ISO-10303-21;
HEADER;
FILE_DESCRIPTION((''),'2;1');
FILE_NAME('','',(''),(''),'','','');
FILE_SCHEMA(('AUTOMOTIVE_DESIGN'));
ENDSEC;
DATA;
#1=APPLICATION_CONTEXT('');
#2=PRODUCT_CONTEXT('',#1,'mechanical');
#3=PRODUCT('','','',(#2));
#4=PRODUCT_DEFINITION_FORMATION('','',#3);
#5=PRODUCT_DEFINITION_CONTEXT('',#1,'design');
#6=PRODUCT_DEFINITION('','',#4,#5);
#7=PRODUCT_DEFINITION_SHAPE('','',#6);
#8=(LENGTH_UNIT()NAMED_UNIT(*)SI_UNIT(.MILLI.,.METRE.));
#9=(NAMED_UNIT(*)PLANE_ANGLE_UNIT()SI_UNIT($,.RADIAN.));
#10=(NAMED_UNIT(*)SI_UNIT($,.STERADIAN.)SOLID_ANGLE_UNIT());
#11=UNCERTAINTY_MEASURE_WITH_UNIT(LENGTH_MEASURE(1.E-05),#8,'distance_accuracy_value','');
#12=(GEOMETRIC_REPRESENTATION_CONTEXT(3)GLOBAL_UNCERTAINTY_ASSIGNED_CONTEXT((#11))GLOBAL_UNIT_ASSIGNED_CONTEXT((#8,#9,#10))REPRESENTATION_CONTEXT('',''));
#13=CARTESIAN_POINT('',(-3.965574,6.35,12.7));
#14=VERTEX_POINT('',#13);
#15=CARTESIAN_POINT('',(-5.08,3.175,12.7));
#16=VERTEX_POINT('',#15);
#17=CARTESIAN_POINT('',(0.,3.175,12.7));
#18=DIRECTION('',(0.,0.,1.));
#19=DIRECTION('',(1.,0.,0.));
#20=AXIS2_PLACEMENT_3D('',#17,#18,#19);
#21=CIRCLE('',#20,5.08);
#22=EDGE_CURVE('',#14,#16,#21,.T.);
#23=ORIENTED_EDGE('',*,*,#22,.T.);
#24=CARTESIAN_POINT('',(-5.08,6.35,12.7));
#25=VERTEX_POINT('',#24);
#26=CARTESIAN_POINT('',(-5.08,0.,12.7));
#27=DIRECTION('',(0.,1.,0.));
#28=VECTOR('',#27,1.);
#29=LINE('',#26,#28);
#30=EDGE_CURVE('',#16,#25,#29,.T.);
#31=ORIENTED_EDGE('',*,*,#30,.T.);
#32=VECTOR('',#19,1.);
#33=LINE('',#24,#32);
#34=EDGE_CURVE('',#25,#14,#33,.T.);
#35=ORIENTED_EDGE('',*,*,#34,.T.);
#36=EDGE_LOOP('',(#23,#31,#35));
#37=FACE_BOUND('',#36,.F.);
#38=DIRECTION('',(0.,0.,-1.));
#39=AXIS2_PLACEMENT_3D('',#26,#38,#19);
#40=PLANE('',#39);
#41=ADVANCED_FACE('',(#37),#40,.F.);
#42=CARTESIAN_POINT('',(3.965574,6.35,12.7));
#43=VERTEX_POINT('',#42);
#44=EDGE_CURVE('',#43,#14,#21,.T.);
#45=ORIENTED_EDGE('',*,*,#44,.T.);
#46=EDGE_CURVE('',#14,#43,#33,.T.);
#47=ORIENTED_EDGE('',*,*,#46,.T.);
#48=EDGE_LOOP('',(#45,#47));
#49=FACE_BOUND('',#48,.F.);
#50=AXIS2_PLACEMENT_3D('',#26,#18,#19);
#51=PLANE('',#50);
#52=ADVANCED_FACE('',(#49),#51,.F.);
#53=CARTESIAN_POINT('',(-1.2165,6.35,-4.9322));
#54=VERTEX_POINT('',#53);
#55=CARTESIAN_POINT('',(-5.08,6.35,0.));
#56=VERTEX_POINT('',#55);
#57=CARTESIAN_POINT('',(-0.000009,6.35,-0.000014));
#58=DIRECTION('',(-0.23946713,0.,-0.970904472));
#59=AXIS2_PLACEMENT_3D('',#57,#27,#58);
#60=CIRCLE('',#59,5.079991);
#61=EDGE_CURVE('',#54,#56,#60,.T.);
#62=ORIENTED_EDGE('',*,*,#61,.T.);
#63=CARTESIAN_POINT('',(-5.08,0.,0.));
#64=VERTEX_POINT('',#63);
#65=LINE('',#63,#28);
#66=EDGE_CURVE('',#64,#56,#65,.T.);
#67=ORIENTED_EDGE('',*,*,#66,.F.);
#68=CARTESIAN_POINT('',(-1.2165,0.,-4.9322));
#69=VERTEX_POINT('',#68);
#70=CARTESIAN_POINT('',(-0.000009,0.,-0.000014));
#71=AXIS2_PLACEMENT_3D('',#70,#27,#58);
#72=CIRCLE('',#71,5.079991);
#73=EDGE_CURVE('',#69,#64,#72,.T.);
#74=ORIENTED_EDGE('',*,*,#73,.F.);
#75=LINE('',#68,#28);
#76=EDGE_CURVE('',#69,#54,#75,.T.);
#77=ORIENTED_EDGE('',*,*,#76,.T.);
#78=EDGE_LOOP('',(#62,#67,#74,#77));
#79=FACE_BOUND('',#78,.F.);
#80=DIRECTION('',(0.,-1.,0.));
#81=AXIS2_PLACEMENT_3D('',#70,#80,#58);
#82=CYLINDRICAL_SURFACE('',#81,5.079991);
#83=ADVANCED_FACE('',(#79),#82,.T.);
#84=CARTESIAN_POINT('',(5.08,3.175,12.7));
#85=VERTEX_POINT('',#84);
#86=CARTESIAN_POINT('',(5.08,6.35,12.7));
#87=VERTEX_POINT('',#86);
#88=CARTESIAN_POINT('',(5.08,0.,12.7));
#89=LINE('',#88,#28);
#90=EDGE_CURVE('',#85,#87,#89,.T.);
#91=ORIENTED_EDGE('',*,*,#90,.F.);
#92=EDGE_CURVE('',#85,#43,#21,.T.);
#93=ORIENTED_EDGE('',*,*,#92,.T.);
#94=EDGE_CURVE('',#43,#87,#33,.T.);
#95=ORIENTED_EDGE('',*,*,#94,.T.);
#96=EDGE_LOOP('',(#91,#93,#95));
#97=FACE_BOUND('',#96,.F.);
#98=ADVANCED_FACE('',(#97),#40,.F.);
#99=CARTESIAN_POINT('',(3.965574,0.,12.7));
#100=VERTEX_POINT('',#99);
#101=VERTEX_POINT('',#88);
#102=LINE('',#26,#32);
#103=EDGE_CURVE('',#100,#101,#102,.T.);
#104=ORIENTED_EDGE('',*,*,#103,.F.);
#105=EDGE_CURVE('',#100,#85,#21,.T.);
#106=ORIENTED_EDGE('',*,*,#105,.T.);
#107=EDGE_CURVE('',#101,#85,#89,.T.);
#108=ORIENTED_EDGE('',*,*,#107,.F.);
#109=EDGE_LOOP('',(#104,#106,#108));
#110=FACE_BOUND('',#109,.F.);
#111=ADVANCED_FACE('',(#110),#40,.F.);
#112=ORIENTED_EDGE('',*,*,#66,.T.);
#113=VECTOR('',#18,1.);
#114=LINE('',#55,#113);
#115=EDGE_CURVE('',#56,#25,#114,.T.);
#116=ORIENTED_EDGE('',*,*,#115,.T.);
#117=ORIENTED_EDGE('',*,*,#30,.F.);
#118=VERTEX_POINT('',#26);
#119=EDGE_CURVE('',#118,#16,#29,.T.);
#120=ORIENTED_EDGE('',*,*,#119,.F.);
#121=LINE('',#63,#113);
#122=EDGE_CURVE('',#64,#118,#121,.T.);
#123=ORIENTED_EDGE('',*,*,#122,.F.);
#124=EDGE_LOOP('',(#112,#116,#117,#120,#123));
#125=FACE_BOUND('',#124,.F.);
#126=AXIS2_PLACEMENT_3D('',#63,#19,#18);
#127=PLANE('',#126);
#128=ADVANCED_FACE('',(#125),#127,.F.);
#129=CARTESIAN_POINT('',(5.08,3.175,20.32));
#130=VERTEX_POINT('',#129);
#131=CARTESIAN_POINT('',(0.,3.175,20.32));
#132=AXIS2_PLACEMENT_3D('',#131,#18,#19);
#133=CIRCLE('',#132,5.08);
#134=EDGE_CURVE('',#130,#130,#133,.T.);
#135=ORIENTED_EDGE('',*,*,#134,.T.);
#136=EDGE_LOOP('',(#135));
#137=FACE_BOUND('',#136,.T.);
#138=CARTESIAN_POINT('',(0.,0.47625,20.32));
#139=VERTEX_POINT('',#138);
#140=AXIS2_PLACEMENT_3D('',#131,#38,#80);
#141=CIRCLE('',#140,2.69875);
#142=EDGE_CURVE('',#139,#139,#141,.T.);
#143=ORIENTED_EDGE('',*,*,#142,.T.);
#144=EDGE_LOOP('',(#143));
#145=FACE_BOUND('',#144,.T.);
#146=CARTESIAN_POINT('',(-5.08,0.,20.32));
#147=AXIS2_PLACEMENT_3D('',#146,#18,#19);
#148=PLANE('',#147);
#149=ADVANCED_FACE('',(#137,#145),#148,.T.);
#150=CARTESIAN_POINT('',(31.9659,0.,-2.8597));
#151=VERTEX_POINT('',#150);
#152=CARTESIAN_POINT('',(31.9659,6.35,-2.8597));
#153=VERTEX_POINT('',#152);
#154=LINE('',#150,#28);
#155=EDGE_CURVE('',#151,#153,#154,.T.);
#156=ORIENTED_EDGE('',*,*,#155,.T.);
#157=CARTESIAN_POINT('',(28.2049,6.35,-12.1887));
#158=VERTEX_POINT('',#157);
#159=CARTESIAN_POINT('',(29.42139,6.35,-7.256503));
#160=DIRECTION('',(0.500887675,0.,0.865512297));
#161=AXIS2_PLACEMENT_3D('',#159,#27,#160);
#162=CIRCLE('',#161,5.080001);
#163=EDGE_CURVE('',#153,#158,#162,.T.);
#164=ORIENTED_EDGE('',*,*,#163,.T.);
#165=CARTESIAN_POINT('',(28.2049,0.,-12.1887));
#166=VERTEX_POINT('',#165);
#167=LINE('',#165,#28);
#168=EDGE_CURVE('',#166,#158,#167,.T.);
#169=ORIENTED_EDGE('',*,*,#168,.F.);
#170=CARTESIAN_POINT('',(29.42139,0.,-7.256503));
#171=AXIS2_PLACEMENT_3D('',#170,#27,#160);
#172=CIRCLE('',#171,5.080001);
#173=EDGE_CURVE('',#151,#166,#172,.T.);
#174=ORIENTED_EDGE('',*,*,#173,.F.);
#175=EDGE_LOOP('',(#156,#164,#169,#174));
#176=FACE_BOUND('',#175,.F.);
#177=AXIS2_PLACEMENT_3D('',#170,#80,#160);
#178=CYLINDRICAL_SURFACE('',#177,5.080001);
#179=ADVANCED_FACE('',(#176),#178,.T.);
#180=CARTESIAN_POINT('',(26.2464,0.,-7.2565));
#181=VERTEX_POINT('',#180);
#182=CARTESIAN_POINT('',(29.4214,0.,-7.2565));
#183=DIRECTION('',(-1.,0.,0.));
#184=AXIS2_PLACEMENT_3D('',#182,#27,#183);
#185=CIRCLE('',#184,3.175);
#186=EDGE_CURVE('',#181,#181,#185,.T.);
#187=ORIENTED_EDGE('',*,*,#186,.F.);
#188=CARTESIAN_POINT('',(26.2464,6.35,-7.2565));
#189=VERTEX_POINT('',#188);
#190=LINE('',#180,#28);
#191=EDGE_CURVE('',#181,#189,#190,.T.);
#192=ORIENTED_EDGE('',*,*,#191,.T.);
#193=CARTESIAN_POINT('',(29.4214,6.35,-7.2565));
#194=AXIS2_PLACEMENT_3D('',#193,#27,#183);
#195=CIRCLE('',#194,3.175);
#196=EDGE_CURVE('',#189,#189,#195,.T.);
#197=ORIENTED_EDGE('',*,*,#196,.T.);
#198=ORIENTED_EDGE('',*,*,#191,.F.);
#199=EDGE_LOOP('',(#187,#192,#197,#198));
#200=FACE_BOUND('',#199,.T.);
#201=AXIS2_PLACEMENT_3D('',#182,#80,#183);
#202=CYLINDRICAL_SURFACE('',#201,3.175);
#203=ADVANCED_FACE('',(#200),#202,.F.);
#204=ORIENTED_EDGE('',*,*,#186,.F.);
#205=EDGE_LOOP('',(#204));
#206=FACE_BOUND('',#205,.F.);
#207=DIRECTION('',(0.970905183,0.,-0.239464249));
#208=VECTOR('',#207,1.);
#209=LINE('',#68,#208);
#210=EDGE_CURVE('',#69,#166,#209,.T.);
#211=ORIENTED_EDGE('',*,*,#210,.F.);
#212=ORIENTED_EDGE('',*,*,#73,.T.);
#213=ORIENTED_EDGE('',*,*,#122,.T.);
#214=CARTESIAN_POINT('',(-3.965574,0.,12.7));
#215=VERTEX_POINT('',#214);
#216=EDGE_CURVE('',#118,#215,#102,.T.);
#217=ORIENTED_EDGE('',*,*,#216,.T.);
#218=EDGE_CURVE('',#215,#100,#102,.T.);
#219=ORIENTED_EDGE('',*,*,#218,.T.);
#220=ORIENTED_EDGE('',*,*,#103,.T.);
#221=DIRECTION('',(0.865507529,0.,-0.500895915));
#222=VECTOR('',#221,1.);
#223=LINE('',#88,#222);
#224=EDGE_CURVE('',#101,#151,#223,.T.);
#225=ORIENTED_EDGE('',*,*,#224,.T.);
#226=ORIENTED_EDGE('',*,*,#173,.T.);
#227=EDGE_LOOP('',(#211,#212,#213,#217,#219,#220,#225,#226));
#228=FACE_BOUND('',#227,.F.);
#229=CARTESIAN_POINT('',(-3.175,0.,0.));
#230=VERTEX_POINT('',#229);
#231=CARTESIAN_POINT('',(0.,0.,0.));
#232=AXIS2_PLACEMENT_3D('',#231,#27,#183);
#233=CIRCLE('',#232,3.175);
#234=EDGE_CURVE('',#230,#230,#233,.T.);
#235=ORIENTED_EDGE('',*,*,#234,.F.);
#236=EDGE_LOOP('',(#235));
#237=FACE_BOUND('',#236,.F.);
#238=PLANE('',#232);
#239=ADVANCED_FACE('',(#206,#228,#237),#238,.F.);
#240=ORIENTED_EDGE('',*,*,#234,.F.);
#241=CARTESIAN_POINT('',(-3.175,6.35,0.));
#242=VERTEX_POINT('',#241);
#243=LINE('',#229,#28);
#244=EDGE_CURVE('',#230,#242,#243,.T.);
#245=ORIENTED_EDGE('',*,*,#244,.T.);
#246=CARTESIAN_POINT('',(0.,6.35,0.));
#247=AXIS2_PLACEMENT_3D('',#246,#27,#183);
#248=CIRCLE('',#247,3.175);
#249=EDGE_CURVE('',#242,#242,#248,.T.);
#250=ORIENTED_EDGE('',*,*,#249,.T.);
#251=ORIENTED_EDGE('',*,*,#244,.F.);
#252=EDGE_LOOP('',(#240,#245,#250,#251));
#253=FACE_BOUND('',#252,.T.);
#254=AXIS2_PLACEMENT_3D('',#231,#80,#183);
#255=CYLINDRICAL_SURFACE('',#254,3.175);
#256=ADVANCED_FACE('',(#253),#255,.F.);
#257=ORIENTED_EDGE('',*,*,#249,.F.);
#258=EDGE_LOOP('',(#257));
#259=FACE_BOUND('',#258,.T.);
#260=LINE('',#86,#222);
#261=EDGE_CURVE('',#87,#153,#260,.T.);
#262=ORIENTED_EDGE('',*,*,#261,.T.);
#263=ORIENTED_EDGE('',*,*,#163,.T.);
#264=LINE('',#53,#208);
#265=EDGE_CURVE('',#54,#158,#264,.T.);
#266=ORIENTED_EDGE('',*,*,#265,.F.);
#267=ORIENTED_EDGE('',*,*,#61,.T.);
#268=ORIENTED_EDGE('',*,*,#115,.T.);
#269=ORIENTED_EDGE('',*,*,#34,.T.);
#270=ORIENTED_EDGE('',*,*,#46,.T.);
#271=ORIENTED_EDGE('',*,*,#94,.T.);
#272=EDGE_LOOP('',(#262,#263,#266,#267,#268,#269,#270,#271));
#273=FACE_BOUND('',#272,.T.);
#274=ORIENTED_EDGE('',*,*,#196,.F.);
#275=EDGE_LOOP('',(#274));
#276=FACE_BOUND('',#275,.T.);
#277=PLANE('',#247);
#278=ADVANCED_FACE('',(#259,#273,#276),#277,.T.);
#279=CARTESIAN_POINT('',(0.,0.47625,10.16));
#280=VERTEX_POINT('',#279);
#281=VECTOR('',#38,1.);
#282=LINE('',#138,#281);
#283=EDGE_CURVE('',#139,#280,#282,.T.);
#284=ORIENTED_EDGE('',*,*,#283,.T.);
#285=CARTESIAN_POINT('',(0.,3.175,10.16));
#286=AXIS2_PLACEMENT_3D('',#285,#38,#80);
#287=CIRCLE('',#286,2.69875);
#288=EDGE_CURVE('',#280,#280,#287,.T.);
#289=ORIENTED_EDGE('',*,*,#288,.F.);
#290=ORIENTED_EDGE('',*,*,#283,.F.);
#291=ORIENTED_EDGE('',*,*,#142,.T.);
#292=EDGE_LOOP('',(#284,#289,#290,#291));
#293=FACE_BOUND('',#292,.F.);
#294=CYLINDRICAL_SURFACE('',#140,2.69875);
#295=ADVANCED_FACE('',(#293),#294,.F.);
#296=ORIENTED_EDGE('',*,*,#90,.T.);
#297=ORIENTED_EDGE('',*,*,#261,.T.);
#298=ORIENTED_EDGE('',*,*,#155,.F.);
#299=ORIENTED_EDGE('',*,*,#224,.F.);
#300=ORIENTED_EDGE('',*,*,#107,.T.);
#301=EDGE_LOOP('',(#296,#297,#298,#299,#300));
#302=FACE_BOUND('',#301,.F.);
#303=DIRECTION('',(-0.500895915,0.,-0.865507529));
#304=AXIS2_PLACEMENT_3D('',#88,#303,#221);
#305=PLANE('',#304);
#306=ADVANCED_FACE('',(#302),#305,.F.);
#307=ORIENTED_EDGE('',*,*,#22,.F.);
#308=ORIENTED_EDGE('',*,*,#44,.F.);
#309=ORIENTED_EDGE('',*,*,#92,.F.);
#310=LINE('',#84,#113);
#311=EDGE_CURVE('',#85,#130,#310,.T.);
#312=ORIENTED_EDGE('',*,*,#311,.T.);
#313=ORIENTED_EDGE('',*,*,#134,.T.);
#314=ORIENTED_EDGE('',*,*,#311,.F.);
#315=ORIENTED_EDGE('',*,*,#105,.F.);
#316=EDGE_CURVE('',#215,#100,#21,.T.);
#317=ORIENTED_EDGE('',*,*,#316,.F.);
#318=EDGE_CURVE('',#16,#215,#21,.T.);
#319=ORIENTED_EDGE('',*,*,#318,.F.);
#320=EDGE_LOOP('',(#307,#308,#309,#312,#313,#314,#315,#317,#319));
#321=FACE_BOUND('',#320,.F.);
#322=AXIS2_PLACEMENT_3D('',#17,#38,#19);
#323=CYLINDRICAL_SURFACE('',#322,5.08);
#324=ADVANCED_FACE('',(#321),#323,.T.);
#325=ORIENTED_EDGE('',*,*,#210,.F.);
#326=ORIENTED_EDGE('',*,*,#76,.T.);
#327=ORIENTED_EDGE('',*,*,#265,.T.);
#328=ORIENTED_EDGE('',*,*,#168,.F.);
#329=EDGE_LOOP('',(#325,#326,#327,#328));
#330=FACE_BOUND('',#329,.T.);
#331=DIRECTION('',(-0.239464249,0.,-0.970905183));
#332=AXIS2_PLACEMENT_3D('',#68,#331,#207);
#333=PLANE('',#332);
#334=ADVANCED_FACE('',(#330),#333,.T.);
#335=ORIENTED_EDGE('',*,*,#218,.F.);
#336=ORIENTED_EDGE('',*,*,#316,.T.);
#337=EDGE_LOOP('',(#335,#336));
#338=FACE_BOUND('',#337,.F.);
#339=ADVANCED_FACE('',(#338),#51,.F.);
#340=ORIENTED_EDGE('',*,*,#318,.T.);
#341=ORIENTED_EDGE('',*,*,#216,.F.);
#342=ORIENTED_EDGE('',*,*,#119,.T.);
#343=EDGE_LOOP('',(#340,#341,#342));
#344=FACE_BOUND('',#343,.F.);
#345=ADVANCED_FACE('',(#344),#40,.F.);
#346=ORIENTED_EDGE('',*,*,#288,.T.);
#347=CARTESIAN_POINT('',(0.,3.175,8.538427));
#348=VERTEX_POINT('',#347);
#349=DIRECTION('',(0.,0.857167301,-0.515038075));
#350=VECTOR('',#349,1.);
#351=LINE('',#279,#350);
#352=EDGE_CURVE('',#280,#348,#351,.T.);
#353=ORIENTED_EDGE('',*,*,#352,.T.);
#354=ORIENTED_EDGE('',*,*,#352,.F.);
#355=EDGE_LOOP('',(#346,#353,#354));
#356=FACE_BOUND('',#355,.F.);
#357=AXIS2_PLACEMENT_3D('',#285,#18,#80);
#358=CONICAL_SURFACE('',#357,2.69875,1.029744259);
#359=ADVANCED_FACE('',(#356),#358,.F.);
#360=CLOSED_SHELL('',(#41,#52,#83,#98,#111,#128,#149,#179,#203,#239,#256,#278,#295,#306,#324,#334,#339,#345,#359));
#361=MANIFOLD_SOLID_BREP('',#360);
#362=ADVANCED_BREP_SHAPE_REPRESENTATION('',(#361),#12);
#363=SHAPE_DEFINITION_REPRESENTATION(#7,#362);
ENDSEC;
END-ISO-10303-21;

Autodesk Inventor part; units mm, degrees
ref_plane "YZ Plane" through (0, 0, 0) normal (1, 0, 0) x (0, 1, 0)
ref_plane "XZ Plane" through (0, 0, 0) normal (0, 1, 0) x (-1, 0, 0)
ref_plane "XY Plane" through (0, 0, 0) normal (0, 0, 1) x (1, 0, 0)
sketch "Sketch1" plane through (0, 0, 0) normal (0, 1, 0) x (-1, 0, 0)
  circle A0 centre (0, 0) radius 3.175
  arc A1 (1.2165, -4.9322) -> (5.08, 0) centre (0, 0) ccw
  line L0 (5.08, 0) -> (5.08, 12.7)
  line L1 (0, 0) -> (-5.08, 0) construction
  line L2 (-5.08, 0) -> (-29.4214, -7.2565) construction
  line L3 (-5.08, 0) -> (20.32, 0) construction
  arc A2 (-31.9659, -2.8597) -> (-28.2049, -12.1887) centre (-29.4214, -7.2565) ccw
  circle A3 centre (-29.4214, -7.2565) radius 3.175
  line L4 (5.08, 12.7) -> (-5.08, 12.7)
  line L5 (-5.08, 12.7) -> (-31.9659, -2.8597)
  line L6 (1.2165, -4.9322) -> (-28.2049, -12.1887)
  dimension "d0" = 6.35
  dimension "d1" = 10.16
  dimension "d2" = 12.7
  dimension "d3" = 25.4
  dimension "d4" = 163.4
  dimension "d5" = 10.16
  dimension "d6" = 6.35
  dimension "d7" = 10.16
extrude "Extrusion1" add sketch "Sketch1" along normal blind 6.35
sketch "Sketch2" plane through (-5.08, 0, 12.7) normal (0, 0, 1) x (1, 0, 0)
  line L0 (5.08, 0) -> (5.08, 6.35) construction
  line L1 (0, 6.35) -> (10.16, 6.35) construction
  circle A0 centre (5.08, 3.175) radius 5.08
  dimension "d10" = 10.16
extrude "Extrusion2" add sketch "Sketch2" along normal blind 7.62
sketch "Sketch4" plane through (0, 3.175, 20.32) normal (0, 0, 1) x (1, 0, 0)
  point P0 (0, -3.175)
  point P1 (0, 0)
hole "Hole1" at (0, 3.175, 20.32) direction (0, 0, -1) diameter 5.3975 depth 10.16 tip angle 118
properties part number "StteringArm"
